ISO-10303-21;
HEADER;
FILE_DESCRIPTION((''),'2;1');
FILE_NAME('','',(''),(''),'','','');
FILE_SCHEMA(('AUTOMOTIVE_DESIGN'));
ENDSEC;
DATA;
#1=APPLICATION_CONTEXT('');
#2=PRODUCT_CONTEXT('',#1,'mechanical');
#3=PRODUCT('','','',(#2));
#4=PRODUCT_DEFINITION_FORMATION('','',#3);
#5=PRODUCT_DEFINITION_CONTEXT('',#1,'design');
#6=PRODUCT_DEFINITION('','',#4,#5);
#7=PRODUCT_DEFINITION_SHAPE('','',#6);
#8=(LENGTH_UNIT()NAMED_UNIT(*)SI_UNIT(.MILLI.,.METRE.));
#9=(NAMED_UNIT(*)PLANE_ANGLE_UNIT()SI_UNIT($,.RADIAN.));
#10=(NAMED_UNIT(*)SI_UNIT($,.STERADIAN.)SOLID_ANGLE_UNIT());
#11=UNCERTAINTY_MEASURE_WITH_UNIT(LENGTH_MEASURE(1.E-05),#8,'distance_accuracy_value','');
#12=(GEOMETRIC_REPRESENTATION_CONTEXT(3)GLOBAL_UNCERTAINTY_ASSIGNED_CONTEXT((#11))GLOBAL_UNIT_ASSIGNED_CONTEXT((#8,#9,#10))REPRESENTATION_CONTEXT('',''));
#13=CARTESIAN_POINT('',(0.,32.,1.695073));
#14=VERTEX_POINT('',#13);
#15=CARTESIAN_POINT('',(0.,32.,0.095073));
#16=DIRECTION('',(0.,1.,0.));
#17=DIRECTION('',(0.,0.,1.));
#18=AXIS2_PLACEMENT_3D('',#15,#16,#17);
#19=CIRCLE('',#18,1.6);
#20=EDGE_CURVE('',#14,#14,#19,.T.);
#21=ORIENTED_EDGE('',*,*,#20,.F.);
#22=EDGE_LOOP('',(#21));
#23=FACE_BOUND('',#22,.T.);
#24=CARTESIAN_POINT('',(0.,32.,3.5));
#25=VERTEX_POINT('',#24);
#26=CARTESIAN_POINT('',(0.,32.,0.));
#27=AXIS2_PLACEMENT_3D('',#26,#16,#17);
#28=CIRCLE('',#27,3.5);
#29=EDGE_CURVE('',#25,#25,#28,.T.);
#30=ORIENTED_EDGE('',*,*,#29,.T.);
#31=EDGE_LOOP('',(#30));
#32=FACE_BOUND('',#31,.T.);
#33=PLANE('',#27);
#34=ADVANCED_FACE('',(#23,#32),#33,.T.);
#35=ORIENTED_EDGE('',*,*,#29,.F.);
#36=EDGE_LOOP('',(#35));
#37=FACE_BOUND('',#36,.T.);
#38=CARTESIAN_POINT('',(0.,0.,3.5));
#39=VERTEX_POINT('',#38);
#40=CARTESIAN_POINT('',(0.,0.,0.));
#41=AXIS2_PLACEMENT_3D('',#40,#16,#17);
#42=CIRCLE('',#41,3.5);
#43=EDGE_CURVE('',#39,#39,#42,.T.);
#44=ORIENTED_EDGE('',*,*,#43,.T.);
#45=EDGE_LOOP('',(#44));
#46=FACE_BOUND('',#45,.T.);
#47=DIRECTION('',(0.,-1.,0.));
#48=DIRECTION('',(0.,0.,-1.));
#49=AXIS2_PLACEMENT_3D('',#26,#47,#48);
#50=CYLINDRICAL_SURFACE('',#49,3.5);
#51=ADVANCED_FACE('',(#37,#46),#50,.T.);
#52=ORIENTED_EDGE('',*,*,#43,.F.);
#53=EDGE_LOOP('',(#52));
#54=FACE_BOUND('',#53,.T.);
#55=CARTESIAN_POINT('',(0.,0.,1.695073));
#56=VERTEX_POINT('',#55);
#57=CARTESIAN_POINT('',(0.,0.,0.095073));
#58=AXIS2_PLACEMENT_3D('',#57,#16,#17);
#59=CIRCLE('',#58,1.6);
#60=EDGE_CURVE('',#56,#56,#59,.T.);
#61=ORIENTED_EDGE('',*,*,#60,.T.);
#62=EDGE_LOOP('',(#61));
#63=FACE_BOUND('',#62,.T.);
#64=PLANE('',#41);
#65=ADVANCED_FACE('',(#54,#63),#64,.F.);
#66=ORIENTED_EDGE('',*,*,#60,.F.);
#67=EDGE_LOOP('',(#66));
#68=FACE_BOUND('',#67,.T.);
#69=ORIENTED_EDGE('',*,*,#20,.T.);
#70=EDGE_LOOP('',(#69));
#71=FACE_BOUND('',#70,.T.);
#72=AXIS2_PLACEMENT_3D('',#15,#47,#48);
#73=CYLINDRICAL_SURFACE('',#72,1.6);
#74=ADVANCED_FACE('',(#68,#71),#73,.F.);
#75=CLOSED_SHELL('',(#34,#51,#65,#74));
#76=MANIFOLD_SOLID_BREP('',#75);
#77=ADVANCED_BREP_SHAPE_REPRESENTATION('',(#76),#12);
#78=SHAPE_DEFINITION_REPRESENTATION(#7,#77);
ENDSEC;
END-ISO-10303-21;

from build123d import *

# Parameters (mm, degrees)
SKETCH1_R           = 3.5
SKETCH1_R_2         = 1.6
BOSS_EXTRUDE1_DEPTH = 32


with BuildPart() as part:
    # Sketch1 → Boss-Extrude1 (new body)
    with BuildSketch(Plane(origin=(0, 0, 0), x_dir=(1, 0, 0), z_dir=(0, 1, 0))):
        Circle(SKETCH1_R)
        with Locations((0, -0.095073122)):
            Circle(SKETCH1_R_2, mode=Mode.SUBTRACT)
    extrude(amount=BOSS_EXTRUDE1_DEPTH)


solid = part.part
